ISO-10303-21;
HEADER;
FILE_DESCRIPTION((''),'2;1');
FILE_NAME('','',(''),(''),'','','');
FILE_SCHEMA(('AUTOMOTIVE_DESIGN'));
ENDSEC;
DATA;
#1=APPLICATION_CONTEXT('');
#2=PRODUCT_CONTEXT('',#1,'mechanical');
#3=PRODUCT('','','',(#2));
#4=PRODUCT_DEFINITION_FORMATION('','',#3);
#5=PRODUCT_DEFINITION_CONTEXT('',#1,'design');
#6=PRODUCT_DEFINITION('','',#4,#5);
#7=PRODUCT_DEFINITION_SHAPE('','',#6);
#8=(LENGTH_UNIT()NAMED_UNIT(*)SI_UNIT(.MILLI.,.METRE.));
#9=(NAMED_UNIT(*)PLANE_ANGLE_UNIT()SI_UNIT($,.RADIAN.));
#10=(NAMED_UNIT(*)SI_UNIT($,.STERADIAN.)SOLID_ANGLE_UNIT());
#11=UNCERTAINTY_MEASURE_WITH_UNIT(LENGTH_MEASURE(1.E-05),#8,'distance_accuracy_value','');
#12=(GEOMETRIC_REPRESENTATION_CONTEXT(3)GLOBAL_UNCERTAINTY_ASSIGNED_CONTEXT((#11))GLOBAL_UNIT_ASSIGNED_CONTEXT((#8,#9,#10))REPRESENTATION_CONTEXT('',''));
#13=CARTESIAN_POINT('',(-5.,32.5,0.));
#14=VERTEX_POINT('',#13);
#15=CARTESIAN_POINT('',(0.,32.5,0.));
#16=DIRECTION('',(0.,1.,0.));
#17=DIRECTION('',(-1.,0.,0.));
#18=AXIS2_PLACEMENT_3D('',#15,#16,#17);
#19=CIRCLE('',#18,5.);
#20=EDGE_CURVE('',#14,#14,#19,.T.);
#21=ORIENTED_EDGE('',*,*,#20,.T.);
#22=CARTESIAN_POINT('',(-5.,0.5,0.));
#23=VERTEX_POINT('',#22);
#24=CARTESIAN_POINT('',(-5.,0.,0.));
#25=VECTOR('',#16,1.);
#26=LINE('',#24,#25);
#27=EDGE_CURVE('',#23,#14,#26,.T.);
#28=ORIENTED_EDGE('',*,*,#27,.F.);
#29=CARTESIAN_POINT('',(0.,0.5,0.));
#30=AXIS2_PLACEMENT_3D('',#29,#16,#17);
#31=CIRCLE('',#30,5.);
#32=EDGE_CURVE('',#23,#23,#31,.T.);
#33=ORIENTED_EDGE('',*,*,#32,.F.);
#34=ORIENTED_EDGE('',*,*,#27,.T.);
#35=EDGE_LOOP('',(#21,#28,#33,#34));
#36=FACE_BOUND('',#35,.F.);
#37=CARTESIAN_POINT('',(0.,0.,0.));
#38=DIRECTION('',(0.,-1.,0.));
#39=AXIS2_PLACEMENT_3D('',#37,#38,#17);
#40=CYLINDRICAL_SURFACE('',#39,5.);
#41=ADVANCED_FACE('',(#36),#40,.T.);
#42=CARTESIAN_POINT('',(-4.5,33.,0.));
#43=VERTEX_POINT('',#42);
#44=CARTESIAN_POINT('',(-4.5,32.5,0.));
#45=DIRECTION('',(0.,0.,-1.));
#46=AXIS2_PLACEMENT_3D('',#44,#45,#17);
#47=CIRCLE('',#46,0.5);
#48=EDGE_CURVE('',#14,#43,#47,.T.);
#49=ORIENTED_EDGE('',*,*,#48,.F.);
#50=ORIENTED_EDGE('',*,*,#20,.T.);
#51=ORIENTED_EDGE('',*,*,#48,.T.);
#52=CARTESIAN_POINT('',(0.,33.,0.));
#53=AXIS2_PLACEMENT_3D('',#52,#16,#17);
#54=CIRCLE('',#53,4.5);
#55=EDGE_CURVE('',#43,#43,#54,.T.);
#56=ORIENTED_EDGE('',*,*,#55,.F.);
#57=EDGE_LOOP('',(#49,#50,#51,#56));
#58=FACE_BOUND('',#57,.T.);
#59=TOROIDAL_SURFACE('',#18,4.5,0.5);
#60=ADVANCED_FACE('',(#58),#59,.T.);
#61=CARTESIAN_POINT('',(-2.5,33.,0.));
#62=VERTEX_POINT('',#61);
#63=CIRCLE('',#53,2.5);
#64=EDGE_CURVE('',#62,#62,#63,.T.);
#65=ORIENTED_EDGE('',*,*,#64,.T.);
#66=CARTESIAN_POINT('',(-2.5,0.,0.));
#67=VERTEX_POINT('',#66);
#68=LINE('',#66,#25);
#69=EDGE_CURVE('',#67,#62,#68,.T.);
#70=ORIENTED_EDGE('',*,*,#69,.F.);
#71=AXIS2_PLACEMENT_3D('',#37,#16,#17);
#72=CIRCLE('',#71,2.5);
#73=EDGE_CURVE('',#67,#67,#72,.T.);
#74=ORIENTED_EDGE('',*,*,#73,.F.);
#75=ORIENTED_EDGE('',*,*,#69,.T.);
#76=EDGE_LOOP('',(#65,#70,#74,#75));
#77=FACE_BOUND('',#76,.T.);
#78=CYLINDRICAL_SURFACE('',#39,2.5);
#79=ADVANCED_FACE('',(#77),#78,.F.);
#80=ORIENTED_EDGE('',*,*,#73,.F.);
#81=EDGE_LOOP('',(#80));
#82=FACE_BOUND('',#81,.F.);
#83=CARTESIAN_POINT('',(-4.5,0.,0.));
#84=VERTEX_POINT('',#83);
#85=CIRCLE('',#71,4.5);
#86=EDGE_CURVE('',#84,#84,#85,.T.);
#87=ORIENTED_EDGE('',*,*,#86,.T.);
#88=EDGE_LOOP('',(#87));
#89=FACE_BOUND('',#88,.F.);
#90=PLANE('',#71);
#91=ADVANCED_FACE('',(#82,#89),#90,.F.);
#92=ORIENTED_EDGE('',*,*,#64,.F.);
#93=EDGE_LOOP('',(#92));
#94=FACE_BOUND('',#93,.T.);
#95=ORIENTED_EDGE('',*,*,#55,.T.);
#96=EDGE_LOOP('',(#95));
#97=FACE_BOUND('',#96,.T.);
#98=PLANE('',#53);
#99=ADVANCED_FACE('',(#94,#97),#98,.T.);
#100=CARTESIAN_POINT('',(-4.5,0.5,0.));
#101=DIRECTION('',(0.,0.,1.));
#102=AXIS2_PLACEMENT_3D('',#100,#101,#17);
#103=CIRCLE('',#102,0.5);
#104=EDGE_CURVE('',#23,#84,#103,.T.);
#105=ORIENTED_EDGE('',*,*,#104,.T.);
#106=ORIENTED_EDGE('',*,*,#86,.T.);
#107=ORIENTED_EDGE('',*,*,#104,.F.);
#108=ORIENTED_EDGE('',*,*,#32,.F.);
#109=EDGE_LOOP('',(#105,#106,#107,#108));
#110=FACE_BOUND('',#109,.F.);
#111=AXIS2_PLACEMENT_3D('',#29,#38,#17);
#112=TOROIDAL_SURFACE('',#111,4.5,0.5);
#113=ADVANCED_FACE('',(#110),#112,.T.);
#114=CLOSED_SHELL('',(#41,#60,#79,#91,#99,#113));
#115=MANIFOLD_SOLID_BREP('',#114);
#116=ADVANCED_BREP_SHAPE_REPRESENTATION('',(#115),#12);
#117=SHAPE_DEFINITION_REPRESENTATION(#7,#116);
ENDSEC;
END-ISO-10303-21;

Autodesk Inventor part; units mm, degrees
ref_plane "YZ Plane" through (0, 0, 0) normal (1, 0, 0) x (0, 1, 0)
ref_plane "XZ Plane" through (0, 0, 0) normal (0, 1, 0) x (-1, 0, 0)
ref_plane "XY Plane" through (0, 0, 0) normal (0, 0, 1) x (1, 0, 0)
sketch "Boceto1" plane through (0, 0, 0) normal (0, 1, 0) x (-1, 0, 0)
  circle A0 centre (0, 0) radius 2.5
  circle A1 centre (0, 0) radius 5
  dimension "d0" = 5
  dimension "d1" = 10
extrude "Extrusión1" add sketch "Boceto1" along normal blind 33
fillet "Fillet1" radius 0.5 2 edges at (5, 33, 0) (5, 0, 0)
properties part number "Espaciador 40mm"
